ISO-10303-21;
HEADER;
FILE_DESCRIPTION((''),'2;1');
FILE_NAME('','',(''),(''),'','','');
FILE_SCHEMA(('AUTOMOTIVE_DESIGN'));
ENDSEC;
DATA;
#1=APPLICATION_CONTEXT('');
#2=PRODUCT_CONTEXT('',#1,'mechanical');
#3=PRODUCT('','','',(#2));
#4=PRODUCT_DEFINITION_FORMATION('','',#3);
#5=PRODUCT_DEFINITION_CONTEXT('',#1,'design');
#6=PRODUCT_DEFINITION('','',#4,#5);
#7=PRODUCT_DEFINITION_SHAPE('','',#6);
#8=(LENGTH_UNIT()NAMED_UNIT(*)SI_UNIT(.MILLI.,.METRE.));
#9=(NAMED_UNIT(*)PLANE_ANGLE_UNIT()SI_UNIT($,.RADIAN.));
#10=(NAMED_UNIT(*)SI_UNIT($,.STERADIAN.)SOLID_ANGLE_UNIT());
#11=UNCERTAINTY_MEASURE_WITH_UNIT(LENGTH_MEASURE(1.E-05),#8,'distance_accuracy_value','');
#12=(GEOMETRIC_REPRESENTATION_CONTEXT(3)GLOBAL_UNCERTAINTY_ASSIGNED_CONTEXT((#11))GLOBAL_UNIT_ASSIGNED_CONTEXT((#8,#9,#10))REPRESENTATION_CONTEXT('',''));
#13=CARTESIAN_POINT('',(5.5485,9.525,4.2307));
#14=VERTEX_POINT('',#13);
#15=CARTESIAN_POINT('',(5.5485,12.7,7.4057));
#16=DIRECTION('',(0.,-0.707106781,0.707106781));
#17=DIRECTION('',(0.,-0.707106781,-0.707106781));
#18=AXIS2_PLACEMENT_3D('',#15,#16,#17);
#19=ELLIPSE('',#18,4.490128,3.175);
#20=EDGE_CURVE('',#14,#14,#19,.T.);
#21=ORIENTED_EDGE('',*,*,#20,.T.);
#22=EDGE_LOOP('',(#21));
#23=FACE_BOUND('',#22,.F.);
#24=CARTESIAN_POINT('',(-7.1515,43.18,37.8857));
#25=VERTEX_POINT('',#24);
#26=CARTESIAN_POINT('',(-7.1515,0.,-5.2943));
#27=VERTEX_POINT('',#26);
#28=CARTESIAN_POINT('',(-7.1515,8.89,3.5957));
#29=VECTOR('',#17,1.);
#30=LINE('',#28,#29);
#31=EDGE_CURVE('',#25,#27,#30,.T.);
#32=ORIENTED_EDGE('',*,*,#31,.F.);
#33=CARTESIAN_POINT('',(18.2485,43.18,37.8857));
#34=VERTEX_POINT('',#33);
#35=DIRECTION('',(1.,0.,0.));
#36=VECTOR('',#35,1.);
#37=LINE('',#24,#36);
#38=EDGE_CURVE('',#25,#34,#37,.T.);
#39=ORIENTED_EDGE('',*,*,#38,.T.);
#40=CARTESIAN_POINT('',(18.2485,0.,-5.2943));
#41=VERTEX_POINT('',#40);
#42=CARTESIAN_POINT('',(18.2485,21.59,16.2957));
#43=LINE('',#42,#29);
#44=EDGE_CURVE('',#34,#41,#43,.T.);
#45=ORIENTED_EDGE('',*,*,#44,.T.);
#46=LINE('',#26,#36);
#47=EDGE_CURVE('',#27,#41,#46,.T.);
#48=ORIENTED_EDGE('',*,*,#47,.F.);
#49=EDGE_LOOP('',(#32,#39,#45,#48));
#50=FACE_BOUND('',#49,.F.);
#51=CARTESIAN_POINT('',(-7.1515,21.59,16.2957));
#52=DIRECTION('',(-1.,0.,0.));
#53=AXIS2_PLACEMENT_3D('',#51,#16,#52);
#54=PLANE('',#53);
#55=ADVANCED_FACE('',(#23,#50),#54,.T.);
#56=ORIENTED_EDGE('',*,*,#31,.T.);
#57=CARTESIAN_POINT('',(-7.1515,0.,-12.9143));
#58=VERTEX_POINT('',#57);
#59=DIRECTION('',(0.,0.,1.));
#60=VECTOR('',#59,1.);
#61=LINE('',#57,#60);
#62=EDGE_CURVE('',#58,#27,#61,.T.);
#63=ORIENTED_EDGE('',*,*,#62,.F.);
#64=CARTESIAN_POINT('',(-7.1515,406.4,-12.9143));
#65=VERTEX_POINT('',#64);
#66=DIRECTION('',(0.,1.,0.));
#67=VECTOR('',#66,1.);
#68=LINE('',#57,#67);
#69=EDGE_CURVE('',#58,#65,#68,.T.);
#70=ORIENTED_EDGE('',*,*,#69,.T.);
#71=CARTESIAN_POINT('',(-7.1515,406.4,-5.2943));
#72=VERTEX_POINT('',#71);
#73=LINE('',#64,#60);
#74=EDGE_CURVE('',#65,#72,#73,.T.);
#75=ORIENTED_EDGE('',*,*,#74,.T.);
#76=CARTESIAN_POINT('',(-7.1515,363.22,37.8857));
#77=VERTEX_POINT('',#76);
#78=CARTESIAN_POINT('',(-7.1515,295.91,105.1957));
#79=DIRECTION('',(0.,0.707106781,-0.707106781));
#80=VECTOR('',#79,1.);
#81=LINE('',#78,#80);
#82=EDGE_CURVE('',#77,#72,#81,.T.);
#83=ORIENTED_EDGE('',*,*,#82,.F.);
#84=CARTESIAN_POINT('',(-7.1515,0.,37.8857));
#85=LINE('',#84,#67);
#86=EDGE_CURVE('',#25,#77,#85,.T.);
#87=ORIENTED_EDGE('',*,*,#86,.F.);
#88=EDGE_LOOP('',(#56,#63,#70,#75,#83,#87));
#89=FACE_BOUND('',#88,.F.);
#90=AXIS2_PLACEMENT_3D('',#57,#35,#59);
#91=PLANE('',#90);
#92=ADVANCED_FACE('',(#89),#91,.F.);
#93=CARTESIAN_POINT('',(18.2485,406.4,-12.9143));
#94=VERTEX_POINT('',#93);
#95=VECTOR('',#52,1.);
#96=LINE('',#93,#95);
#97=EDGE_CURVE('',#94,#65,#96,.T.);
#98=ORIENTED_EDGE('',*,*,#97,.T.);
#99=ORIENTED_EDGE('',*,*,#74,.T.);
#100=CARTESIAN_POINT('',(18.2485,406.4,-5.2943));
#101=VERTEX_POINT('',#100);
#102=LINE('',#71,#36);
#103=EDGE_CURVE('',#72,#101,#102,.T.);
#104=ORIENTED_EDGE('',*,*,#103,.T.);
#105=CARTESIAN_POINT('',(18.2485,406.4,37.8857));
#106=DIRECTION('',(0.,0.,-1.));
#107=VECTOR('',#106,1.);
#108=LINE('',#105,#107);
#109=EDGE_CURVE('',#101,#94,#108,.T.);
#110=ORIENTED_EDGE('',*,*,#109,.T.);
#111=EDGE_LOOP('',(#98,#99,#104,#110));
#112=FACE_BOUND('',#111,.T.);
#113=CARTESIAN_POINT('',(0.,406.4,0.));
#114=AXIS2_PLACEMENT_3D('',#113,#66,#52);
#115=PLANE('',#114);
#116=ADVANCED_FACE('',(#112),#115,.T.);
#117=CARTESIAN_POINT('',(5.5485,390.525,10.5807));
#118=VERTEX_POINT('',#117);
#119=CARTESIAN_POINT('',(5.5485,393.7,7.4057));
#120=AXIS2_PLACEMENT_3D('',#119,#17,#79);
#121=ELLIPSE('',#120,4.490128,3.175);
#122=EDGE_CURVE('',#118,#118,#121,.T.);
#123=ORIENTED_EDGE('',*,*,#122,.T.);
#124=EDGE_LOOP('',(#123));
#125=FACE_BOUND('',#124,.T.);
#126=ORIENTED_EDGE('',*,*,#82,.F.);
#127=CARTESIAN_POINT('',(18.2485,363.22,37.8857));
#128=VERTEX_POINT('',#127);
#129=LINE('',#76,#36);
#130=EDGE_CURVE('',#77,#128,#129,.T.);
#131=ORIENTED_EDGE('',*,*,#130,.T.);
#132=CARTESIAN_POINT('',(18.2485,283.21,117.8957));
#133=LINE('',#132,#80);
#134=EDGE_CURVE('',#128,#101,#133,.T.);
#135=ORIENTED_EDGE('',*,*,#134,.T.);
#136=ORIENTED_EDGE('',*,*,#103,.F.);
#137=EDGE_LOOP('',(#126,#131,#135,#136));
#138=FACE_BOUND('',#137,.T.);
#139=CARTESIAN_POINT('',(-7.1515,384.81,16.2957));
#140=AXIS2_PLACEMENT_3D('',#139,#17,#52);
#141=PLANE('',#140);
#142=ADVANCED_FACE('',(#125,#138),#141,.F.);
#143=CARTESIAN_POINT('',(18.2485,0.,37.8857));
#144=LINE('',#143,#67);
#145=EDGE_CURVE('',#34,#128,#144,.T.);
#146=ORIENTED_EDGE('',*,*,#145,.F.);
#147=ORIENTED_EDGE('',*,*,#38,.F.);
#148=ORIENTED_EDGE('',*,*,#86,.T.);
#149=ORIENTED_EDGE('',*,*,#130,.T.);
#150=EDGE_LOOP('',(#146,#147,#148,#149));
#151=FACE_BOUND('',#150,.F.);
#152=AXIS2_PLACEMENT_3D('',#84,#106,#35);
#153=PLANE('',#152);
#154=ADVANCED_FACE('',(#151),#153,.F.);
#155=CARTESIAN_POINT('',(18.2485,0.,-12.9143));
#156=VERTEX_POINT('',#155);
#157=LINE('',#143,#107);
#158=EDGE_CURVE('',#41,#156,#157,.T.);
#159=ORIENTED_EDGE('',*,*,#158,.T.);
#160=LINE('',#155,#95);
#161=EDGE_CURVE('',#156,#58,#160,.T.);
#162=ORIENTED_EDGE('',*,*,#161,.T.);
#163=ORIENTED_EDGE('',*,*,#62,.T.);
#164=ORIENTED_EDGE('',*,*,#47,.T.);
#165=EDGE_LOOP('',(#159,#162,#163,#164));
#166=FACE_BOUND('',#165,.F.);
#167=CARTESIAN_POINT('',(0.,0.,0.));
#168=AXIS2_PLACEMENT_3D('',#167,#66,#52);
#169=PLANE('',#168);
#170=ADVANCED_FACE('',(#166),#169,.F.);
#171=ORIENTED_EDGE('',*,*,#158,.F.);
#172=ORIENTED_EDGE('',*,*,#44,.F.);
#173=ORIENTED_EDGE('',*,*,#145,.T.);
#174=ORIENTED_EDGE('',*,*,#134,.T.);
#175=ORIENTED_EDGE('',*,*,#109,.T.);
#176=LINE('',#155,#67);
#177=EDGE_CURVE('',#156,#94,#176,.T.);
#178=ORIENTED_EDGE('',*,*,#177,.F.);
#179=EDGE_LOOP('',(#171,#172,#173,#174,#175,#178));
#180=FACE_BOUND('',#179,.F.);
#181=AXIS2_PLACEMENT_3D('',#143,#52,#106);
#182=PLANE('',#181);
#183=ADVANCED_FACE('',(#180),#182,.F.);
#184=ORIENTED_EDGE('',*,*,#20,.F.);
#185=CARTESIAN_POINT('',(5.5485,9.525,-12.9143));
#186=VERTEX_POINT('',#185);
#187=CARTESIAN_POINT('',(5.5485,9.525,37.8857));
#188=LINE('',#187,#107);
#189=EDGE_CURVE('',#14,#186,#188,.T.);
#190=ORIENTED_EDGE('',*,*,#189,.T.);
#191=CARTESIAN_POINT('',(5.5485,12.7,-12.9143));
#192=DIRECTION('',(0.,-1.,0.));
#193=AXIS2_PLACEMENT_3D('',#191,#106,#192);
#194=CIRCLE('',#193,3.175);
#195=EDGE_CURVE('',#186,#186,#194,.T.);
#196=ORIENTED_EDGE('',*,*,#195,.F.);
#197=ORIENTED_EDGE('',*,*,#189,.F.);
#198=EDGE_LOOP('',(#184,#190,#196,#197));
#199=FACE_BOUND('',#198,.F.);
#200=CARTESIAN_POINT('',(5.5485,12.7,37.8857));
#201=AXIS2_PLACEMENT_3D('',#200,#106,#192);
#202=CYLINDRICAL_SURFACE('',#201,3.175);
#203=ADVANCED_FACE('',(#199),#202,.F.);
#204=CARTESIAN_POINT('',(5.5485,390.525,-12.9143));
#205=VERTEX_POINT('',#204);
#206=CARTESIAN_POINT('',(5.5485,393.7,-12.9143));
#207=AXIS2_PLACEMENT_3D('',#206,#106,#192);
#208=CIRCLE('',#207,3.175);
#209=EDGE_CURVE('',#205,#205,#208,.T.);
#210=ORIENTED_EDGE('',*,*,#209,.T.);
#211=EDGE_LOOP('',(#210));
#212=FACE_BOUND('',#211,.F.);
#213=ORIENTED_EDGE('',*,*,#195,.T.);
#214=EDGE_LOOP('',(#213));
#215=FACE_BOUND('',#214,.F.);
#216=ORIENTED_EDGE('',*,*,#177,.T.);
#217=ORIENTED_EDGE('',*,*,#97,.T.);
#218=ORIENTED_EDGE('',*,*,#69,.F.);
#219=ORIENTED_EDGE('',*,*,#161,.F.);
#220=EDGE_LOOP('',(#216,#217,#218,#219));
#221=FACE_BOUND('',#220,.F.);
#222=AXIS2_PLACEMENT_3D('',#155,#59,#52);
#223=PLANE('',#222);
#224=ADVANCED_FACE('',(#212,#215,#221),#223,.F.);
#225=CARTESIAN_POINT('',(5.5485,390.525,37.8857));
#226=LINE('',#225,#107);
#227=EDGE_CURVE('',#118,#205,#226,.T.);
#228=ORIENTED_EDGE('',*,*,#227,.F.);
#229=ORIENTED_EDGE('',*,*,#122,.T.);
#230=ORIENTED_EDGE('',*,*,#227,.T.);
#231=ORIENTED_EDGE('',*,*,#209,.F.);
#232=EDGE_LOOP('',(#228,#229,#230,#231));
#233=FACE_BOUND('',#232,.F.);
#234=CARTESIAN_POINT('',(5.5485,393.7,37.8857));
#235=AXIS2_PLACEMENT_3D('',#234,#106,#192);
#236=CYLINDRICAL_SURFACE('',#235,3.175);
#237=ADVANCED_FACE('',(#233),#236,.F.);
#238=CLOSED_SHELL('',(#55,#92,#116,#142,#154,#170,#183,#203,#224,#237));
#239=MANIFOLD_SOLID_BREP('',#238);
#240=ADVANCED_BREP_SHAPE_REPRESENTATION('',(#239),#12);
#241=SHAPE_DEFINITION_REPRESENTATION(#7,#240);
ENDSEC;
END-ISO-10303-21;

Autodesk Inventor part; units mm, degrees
ref_plane "YZ Plane" through (0, 0, 0) normal (1, 0, 0) x (0, 1, 0)
ref_plane "XZ Plane" through (0, 0, 0) normal (0, 1, 0) x (-1, 0, 0)
ref_plane "XY Plane" through (0, 0, 0) normal (0, 0, 1) x (1, 0, 0)
sketch "Sketch1" plane through (0, 0, 0) normal (0, 1, 0) x (-1, 0, 0)
  line L0 (7.1515, 37.8857) -> (-18.2485, 37.8857)
  line L1 (-18.2485, 37.8857) -> (-18.2485, -12.9143)
  line L2 (-18.2485, -12.9143) -> (7.1515, -12.9143)
  line L3 (7.1515, -12.9143) -> (7.1515, 37.8857)
  point P0 (0, 0)
  dimension "d0" = 25.4
  dimension "d1" = 50.8
extrude "Extrusion1" add sketch "Sketch1" along normal blind 406.4
chamfer "Chamfer1" distance 43.18 angle 45 2 edges at (5.5485, 406.4, 37.8857) (5.5485, 0, 37.8857)
sketch "Sketch2" plane through (-7.1515, 43.18, 37.8857) normal (0, 0, 1) x (1, 0, 0)
  circle A0 centre (12.7, 350.52) radius 3.175
  line L0 (25.4, 363.22) -> (0, 363.22) projected
  circle A1 centre (12.7, -30.48) radius 3.175
  line L1 (0, -43.18) -> (25.4, -43.18) projected
  point P0 (7.1515, -43.18)
  dimension "d7" = 6.35
  dimension "d8" = 12.7
  dimension "d9" = 6.35
  dimension "d10" = 12.7
hole "Hole1" at (5.5485, 393.7, 37.8857) at (5.5485, 12.7, 37.8857) direction (0, 0, -1) diameter 6.35 end through all
properties part number "slanted_alum_bar"
